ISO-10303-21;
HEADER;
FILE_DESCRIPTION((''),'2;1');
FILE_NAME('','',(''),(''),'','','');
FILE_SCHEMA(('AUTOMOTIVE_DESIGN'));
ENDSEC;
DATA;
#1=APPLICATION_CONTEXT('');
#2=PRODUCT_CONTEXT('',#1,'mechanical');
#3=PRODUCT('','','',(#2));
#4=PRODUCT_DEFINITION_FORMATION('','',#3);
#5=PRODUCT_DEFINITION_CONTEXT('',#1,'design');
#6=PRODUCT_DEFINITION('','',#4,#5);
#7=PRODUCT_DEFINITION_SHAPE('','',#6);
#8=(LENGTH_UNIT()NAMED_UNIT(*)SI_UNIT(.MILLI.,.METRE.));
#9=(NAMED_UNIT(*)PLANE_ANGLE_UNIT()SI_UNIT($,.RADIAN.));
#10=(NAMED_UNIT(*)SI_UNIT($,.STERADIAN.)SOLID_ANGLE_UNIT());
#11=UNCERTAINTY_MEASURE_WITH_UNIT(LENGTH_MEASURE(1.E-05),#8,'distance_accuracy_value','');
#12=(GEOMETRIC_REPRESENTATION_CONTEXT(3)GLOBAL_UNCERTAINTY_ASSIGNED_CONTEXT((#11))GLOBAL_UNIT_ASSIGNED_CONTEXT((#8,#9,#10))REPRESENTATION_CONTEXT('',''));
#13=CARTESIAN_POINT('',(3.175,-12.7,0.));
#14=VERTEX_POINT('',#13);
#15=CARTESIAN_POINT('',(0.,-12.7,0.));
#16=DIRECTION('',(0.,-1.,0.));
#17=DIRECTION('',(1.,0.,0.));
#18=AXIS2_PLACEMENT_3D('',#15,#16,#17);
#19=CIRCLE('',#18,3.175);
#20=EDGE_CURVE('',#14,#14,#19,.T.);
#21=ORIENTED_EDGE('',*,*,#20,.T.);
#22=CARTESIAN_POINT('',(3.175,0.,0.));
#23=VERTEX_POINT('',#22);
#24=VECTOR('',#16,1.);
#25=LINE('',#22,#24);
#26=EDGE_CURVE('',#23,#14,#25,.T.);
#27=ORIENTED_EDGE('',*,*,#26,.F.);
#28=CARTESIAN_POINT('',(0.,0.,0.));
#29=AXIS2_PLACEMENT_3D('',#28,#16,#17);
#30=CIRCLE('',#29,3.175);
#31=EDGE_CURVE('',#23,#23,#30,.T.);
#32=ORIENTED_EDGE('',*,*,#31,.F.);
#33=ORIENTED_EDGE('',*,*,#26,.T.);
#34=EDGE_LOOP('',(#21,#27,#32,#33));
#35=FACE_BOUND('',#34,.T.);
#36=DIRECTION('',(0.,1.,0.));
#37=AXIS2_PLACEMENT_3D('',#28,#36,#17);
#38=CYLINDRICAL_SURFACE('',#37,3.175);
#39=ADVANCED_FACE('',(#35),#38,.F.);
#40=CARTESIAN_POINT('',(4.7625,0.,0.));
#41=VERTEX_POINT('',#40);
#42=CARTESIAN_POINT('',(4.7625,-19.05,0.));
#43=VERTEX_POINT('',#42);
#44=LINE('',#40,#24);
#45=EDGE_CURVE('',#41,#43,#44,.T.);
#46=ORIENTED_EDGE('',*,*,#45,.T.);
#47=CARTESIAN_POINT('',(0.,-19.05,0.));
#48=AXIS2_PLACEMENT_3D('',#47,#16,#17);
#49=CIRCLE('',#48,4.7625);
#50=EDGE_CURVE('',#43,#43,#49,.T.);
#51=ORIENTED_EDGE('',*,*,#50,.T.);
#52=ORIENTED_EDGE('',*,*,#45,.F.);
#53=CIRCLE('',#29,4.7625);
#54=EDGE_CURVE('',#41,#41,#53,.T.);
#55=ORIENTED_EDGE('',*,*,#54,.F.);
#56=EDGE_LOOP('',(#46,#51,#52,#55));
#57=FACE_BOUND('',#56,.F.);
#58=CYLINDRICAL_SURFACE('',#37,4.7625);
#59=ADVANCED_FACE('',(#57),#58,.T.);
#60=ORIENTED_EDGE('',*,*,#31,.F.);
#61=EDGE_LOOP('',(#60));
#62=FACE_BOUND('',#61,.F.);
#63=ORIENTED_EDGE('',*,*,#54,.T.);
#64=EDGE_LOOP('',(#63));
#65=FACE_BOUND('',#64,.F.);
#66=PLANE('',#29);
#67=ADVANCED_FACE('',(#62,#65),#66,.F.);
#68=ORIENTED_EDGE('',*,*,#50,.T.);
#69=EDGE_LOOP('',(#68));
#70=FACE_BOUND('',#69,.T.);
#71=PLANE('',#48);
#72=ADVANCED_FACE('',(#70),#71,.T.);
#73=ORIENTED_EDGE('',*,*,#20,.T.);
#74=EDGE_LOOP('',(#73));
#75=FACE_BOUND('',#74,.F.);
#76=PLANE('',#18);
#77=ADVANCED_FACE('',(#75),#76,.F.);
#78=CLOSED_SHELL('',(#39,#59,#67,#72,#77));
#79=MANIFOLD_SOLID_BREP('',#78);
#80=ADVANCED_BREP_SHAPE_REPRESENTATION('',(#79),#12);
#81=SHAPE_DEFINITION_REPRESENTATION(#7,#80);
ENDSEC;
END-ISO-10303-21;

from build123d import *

# Parameters (mm, degrees)
F0_R     = 4.7625
F0_R_2   = 3.175
F1_DEPTH = 19.05
F2_DEPTH = 12.7


with BuildPart() as f1:
    # F0 (on Front) → F1 (new body)
    with BuildSketch(Plane.XZ):
        Circle(F0_R)
        Circle(F0_R_2, mode=Mode.SUBTRACT)
        Circle(F0_R_2)
    extrude(amount=F1_DEPTH)

    # F0 (on Front) → F2 (cut)
    with BuildSketch(Plane.XZ):
        Circle(F0_R_2)
    extrude(amount=F2_DEPTH, mode=Mode.SUBTRACT)


solid = f1.part
